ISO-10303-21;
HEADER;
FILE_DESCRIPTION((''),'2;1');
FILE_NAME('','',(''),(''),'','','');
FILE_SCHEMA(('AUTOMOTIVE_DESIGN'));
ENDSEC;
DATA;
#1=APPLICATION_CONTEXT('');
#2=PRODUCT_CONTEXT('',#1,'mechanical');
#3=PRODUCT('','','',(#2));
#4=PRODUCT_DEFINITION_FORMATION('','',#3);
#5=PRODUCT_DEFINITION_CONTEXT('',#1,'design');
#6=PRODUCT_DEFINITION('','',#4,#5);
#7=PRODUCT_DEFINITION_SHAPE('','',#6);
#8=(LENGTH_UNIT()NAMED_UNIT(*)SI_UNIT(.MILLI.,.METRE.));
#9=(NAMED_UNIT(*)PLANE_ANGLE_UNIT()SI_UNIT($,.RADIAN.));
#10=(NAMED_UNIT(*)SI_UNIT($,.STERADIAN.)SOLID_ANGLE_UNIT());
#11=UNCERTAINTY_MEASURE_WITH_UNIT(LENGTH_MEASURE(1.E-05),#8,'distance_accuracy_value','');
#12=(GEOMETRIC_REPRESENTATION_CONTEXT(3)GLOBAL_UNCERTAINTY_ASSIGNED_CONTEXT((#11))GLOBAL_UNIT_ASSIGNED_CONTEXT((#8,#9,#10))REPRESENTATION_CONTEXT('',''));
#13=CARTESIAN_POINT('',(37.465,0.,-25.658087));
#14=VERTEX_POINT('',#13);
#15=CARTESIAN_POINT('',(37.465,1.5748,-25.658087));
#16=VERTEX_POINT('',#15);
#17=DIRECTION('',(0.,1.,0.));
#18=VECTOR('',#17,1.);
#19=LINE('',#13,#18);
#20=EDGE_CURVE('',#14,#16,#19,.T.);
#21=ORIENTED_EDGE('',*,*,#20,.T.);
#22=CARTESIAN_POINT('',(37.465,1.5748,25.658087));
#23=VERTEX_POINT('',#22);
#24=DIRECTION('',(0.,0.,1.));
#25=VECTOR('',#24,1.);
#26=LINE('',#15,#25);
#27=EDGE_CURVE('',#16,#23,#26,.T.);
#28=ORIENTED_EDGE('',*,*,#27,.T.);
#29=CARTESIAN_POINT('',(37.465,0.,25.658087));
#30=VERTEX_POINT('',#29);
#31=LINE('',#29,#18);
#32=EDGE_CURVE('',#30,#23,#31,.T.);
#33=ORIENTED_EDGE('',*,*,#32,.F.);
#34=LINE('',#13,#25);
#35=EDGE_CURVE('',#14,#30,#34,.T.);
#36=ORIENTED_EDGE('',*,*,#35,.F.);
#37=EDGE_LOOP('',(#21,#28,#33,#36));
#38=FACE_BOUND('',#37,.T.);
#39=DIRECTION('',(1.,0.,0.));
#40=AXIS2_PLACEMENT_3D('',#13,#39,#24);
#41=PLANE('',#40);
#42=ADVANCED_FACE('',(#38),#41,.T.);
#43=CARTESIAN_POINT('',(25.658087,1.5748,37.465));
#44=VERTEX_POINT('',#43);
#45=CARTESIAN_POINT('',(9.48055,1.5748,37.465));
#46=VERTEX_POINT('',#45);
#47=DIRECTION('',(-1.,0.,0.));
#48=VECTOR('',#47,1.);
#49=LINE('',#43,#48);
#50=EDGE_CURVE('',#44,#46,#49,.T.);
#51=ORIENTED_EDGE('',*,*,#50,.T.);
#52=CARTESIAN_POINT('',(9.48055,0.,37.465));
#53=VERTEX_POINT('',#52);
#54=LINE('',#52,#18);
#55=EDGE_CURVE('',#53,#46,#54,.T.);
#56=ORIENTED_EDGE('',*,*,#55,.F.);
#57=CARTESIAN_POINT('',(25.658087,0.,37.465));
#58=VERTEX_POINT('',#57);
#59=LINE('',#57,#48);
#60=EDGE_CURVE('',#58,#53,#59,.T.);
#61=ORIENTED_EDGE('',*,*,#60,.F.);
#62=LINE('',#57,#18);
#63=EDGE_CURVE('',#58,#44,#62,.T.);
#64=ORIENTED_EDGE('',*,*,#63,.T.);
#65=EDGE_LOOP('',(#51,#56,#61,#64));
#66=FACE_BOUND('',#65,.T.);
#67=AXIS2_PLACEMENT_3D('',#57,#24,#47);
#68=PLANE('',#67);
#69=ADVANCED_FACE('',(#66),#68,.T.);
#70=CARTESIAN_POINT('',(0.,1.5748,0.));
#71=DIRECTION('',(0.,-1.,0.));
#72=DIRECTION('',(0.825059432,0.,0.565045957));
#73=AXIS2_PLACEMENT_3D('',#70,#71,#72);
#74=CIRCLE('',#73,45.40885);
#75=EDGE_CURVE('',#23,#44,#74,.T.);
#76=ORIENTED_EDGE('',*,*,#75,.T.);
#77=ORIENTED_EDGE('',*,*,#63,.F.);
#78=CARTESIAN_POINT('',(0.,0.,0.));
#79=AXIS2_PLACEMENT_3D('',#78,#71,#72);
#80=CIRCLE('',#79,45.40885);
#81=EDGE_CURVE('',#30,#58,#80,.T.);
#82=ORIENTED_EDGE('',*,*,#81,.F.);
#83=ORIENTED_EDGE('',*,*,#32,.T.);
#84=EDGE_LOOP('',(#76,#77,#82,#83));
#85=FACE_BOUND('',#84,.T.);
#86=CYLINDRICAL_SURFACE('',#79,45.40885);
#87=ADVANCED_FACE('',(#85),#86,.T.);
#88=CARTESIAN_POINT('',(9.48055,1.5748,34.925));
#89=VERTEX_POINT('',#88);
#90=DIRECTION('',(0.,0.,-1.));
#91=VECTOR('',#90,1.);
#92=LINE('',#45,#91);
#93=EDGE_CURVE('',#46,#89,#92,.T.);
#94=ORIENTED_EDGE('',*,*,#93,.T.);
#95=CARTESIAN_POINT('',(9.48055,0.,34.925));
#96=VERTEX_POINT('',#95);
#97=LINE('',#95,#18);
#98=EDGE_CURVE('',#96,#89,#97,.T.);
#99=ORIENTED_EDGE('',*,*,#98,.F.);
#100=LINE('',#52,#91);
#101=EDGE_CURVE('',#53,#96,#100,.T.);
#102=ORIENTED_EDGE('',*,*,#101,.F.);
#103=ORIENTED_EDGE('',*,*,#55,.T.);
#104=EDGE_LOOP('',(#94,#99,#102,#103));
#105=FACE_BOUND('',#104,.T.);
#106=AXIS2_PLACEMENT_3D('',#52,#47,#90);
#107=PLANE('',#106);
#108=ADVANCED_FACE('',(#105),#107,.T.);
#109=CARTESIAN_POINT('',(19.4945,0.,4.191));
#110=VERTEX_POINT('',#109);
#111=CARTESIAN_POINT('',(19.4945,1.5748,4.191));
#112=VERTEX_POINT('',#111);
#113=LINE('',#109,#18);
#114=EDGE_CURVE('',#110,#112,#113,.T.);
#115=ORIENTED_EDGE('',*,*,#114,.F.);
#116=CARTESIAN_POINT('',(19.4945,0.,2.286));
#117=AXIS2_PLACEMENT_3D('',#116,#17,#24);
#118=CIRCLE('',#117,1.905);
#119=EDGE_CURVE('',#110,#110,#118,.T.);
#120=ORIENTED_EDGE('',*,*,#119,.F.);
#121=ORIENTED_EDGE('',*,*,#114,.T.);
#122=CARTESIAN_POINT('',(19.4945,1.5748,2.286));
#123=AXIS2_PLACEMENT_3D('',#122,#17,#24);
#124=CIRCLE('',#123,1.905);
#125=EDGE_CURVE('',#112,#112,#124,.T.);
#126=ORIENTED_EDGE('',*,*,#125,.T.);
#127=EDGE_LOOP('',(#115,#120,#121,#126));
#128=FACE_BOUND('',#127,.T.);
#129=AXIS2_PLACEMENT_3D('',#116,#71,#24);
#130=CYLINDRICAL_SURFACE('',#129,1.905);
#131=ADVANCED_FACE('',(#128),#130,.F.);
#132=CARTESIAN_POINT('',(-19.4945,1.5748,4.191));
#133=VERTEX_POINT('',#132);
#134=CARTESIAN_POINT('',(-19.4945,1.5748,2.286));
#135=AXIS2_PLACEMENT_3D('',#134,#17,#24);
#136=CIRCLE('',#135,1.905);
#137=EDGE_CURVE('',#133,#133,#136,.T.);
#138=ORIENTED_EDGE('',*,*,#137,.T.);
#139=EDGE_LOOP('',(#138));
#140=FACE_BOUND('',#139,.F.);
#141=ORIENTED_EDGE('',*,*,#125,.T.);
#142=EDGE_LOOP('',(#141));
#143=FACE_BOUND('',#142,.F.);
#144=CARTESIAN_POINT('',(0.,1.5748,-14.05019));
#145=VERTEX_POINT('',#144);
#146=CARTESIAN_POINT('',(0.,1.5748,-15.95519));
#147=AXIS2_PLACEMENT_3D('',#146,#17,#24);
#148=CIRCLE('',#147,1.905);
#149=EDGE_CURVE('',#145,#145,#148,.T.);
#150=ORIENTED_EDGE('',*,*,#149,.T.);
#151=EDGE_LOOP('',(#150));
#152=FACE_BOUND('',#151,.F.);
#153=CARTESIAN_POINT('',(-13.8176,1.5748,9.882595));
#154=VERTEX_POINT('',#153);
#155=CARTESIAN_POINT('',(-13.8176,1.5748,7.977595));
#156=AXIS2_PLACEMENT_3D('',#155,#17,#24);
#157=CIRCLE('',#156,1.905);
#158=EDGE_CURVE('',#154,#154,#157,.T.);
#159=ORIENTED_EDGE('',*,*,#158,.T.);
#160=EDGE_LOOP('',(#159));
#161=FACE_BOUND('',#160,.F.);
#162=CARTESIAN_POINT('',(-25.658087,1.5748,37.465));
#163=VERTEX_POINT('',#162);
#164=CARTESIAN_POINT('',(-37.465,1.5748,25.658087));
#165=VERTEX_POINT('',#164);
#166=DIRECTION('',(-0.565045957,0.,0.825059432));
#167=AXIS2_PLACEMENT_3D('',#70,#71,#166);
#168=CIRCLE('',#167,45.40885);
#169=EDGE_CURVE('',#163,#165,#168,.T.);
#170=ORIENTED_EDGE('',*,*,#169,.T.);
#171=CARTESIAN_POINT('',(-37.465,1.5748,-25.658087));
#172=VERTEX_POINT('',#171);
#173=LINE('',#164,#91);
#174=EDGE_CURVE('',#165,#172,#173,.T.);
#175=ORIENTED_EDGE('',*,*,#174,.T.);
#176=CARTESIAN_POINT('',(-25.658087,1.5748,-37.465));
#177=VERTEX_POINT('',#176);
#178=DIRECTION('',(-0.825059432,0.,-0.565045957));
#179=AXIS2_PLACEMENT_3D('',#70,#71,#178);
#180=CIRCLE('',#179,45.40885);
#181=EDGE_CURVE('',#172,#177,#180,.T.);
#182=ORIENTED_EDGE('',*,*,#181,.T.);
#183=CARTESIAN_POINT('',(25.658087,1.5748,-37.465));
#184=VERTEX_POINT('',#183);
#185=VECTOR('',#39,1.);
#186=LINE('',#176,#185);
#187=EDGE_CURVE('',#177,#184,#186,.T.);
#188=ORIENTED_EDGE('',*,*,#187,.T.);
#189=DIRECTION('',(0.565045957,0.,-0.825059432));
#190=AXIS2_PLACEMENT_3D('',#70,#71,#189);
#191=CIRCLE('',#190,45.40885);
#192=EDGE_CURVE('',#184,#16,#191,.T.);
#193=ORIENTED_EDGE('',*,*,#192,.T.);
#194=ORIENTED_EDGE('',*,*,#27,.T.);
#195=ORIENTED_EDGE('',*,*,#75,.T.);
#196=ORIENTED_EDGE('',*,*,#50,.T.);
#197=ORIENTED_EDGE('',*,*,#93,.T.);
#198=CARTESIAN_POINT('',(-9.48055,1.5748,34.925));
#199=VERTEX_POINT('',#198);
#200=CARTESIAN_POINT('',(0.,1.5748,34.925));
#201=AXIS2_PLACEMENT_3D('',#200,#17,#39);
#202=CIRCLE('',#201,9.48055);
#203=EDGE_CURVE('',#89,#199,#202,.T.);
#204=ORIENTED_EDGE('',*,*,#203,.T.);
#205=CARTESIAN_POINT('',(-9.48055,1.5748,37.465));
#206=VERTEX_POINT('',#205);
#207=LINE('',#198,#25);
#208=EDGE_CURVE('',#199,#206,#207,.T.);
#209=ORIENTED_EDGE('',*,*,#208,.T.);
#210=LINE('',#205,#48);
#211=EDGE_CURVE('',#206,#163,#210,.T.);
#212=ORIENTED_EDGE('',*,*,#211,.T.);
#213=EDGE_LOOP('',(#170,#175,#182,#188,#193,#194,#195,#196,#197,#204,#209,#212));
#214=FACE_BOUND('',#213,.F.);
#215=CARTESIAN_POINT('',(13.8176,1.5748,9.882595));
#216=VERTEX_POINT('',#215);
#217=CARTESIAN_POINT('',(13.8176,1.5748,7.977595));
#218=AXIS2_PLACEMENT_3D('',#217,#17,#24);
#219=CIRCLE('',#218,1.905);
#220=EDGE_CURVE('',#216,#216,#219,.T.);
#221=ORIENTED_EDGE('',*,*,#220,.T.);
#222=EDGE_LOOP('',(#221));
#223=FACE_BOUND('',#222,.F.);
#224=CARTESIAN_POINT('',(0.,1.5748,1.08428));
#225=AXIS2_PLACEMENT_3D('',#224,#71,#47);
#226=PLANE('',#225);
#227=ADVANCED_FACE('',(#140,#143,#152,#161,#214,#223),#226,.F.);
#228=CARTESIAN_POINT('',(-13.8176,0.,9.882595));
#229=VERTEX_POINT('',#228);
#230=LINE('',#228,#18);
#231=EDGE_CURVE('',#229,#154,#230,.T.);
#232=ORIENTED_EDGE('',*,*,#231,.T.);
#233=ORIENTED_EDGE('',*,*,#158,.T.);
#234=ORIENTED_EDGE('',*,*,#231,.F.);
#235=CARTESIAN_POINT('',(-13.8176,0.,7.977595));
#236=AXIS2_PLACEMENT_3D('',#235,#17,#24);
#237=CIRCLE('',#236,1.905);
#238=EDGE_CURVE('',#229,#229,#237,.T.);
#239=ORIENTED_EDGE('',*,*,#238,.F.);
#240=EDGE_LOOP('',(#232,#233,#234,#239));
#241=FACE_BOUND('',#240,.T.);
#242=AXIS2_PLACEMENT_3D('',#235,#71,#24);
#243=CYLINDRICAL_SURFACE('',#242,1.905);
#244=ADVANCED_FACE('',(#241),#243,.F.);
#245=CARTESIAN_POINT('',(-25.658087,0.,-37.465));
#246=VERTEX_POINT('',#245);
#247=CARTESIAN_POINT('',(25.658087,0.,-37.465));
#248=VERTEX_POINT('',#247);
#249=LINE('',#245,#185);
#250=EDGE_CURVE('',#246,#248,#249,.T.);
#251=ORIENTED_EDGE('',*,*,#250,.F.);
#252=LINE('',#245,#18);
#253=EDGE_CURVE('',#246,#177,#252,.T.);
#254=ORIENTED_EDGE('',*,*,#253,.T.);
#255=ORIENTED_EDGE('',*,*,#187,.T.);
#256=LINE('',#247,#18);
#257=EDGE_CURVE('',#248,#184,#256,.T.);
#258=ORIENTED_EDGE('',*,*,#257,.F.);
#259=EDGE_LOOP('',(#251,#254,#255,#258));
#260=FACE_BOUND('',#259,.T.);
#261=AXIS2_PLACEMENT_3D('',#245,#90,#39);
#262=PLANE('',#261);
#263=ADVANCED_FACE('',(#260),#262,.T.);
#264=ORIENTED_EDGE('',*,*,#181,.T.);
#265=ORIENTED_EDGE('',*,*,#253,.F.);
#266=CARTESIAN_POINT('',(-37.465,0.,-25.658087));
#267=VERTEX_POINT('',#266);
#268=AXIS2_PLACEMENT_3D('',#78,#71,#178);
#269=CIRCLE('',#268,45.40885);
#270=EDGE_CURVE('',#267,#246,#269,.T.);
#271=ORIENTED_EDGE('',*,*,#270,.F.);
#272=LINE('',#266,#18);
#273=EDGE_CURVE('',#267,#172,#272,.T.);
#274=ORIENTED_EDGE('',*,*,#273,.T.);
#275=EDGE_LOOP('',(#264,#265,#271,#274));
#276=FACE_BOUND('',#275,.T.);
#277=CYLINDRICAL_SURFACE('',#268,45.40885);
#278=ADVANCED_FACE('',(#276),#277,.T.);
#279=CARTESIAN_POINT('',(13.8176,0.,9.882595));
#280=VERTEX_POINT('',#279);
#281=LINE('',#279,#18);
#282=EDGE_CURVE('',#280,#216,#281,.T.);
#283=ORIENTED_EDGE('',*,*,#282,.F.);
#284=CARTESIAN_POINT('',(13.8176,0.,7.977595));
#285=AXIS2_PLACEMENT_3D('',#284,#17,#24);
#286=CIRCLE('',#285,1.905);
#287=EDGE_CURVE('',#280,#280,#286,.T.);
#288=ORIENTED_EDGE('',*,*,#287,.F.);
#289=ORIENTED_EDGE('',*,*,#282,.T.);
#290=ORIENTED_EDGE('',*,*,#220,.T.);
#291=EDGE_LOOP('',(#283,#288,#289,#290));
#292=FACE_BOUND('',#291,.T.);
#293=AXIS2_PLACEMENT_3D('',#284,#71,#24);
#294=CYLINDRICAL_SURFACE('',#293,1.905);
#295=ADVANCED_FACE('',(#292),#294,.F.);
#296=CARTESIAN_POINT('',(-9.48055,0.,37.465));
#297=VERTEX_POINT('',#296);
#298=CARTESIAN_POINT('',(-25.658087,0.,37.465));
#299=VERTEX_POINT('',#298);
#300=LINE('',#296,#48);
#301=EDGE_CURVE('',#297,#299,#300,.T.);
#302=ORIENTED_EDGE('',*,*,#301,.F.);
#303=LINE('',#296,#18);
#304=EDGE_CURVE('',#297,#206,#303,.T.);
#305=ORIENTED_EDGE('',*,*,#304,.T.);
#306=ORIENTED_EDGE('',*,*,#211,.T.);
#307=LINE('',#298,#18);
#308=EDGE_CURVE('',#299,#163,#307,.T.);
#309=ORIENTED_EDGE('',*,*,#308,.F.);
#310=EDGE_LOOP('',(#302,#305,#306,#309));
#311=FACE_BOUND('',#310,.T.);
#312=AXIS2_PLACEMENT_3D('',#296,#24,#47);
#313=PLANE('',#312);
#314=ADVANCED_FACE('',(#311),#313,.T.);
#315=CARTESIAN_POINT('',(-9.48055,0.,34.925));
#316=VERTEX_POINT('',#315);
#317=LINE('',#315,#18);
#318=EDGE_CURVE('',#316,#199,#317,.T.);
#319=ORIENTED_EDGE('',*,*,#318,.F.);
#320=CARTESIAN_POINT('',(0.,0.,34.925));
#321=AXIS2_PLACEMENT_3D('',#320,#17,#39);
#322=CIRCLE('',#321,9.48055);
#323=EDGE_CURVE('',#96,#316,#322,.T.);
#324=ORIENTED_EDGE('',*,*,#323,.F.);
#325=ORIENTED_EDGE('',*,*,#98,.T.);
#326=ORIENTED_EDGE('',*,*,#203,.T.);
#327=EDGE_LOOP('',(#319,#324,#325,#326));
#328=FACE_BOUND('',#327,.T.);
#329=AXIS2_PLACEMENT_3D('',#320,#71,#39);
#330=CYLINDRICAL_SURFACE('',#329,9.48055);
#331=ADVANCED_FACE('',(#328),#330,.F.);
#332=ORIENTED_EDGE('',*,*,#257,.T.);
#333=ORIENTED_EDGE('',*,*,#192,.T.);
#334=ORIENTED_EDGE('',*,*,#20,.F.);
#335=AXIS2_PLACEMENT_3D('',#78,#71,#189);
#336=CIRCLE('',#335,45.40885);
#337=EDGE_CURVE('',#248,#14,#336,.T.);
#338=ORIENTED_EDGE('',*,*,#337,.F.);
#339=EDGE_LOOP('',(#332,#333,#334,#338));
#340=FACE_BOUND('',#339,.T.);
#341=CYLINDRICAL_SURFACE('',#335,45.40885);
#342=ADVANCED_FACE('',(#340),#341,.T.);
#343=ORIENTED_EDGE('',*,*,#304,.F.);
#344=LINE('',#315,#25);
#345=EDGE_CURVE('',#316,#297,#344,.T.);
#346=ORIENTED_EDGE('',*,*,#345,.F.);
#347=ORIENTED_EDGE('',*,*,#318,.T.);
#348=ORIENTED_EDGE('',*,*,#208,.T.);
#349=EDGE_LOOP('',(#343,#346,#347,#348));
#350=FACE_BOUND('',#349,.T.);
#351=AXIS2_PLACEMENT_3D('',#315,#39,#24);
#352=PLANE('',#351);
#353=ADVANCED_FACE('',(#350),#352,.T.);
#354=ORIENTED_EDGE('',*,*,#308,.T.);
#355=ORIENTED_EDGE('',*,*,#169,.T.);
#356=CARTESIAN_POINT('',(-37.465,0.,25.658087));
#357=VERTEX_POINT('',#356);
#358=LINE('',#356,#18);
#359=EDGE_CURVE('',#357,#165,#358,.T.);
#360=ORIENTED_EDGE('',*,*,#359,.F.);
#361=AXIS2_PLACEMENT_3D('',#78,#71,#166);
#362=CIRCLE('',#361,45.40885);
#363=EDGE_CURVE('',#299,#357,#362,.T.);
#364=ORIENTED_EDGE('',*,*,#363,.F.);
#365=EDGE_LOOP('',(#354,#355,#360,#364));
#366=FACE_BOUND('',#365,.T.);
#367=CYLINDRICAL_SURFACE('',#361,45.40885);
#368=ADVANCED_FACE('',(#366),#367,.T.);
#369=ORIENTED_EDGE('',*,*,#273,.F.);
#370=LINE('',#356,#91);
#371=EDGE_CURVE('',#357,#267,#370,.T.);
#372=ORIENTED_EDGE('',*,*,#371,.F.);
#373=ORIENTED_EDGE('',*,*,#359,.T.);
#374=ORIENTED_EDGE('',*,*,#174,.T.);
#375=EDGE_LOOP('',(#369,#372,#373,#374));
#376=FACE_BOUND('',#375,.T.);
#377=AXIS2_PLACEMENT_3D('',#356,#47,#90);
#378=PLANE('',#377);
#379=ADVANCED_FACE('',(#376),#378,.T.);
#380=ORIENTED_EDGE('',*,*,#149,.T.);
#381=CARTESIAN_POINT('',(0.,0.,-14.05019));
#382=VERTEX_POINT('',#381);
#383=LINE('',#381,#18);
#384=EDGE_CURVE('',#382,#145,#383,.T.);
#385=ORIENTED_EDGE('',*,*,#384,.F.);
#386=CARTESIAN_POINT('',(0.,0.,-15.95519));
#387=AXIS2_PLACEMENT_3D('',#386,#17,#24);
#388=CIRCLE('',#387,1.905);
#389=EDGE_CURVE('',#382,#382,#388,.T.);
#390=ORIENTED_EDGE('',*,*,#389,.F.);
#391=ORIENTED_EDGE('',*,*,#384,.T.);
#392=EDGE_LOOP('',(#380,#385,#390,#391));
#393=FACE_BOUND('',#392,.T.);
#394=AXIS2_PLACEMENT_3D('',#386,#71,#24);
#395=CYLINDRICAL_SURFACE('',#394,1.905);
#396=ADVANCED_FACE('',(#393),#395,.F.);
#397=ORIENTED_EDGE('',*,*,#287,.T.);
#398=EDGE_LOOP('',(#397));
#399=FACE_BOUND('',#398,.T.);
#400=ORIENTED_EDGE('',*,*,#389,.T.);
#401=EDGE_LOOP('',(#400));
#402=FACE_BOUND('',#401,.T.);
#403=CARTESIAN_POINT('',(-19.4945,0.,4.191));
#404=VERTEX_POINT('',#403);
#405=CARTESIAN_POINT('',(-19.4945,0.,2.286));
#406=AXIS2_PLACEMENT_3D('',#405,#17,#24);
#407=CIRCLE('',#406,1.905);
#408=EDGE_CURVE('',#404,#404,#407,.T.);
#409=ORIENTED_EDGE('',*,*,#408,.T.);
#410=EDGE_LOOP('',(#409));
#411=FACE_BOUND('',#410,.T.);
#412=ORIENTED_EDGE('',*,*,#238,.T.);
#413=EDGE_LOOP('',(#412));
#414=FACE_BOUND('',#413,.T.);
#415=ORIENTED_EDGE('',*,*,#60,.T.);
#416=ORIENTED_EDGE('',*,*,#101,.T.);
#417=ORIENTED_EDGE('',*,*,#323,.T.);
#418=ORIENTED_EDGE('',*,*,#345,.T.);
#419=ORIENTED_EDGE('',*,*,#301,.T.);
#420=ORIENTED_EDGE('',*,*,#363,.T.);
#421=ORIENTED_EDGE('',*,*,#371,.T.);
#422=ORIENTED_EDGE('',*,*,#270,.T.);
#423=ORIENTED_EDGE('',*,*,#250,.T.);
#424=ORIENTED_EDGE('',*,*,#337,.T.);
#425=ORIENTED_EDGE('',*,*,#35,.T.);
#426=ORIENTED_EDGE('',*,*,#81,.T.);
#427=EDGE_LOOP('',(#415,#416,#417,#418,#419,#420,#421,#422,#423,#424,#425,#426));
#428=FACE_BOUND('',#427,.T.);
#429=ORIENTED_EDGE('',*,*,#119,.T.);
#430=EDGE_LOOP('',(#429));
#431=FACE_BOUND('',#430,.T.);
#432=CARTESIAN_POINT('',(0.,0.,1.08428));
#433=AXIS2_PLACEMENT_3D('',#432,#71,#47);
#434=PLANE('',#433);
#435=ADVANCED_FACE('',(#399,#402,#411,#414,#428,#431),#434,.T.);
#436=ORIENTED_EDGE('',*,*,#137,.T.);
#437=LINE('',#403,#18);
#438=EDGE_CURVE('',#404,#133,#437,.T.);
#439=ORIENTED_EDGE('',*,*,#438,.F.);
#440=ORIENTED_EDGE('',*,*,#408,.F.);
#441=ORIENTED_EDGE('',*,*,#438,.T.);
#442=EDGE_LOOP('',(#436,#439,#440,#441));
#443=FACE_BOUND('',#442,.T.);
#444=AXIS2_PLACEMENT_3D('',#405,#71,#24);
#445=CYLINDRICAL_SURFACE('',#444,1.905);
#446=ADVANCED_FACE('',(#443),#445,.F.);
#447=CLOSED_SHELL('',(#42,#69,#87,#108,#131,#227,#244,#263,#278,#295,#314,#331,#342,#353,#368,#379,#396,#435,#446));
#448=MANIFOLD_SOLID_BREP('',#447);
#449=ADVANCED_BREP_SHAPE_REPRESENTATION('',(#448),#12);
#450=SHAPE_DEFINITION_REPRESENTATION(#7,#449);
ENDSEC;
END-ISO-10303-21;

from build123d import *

# Parameters (mm, degrees)
SKETCH1_R           = 1.905
BOSS_EXTRUDE1_DEPTH = 1.5748


with BuildPart() as part:
    # Sketch1 → Boss-Extrude1 (new body)
    with BuildSketch(Plane(origin=(0, 0, 0), x_dir=(1, 0, 0), z_dir=(0, 1, 0))):
        with BuildLine():
            Line((-25.658087094, 37.465), (25.658087094, 37.465))
            ThreePointArc((25.658087094, 37.465), (32.108905761, 32.108905761), (37.465, 25.658087094))
            Line((37.465, 25.658087094), (37.465, -25.658087094))
            ThreePointArc((37.465, -25.658087094), (32.108905761, -32.108905761), (25.658087094, -37.465))
            Line((25.658087094, -37.465), (9.48055, -37.465))
            Line((9.48055, -37.465), (9.48055, -34.925))
            ThreePointArc((9.48055, -34.925), (0, -25.44445), (-9.48055, -34.925))
            Line((-9.48055, -34.925), (-9.48055, -37.465))
            Line((-9.48055, -37.465), (-25.658087094, -37.465))
            ThreePointArc((-25.658087094, -37.465), (-32.108905761, -32.108905761), (-37.465, -25.658087094))
            Line((-37.465, -25.658087094), (-37.465, 25.658087094))
            ThreePointArc((-37.465, 25.658087094), (-32.108905761, 32.108905761), (-25.658087094, 37.465))
        make_face()
        with Locations(Location((13.8176, -7.97759508, 0), (0, 0, 270))):
            Circle(SKETCH1_R, mode=Mode.SUBTRACT)
        with Locations(Location((0, 15.955190159, 0), (0, 0, 270))):
            Circle(SKETCH1_R, mode=Mode.SUBTRACT)
        with Locations(Location((-13.8176, -7.97759508, 0), (0, 0, 270))):
            Circle(SKETCH1_R, mode=Mode.SUBTRACT)
        with Locations(Location((-19.4945, -2.286, 0), (0, 0, 270))):
            Circle(SKETCH1_R, mode=Mode.SUBTRACT)
        with Locations(Location((19.4945, -2.286, 0), (0, 0, 270))):
            Circle(SKETCH1_R, mode=Mode.SUBTRACT)
    extrude(amount=BOSS_EXTRUDE1_DEPTH)


solid = part.part
